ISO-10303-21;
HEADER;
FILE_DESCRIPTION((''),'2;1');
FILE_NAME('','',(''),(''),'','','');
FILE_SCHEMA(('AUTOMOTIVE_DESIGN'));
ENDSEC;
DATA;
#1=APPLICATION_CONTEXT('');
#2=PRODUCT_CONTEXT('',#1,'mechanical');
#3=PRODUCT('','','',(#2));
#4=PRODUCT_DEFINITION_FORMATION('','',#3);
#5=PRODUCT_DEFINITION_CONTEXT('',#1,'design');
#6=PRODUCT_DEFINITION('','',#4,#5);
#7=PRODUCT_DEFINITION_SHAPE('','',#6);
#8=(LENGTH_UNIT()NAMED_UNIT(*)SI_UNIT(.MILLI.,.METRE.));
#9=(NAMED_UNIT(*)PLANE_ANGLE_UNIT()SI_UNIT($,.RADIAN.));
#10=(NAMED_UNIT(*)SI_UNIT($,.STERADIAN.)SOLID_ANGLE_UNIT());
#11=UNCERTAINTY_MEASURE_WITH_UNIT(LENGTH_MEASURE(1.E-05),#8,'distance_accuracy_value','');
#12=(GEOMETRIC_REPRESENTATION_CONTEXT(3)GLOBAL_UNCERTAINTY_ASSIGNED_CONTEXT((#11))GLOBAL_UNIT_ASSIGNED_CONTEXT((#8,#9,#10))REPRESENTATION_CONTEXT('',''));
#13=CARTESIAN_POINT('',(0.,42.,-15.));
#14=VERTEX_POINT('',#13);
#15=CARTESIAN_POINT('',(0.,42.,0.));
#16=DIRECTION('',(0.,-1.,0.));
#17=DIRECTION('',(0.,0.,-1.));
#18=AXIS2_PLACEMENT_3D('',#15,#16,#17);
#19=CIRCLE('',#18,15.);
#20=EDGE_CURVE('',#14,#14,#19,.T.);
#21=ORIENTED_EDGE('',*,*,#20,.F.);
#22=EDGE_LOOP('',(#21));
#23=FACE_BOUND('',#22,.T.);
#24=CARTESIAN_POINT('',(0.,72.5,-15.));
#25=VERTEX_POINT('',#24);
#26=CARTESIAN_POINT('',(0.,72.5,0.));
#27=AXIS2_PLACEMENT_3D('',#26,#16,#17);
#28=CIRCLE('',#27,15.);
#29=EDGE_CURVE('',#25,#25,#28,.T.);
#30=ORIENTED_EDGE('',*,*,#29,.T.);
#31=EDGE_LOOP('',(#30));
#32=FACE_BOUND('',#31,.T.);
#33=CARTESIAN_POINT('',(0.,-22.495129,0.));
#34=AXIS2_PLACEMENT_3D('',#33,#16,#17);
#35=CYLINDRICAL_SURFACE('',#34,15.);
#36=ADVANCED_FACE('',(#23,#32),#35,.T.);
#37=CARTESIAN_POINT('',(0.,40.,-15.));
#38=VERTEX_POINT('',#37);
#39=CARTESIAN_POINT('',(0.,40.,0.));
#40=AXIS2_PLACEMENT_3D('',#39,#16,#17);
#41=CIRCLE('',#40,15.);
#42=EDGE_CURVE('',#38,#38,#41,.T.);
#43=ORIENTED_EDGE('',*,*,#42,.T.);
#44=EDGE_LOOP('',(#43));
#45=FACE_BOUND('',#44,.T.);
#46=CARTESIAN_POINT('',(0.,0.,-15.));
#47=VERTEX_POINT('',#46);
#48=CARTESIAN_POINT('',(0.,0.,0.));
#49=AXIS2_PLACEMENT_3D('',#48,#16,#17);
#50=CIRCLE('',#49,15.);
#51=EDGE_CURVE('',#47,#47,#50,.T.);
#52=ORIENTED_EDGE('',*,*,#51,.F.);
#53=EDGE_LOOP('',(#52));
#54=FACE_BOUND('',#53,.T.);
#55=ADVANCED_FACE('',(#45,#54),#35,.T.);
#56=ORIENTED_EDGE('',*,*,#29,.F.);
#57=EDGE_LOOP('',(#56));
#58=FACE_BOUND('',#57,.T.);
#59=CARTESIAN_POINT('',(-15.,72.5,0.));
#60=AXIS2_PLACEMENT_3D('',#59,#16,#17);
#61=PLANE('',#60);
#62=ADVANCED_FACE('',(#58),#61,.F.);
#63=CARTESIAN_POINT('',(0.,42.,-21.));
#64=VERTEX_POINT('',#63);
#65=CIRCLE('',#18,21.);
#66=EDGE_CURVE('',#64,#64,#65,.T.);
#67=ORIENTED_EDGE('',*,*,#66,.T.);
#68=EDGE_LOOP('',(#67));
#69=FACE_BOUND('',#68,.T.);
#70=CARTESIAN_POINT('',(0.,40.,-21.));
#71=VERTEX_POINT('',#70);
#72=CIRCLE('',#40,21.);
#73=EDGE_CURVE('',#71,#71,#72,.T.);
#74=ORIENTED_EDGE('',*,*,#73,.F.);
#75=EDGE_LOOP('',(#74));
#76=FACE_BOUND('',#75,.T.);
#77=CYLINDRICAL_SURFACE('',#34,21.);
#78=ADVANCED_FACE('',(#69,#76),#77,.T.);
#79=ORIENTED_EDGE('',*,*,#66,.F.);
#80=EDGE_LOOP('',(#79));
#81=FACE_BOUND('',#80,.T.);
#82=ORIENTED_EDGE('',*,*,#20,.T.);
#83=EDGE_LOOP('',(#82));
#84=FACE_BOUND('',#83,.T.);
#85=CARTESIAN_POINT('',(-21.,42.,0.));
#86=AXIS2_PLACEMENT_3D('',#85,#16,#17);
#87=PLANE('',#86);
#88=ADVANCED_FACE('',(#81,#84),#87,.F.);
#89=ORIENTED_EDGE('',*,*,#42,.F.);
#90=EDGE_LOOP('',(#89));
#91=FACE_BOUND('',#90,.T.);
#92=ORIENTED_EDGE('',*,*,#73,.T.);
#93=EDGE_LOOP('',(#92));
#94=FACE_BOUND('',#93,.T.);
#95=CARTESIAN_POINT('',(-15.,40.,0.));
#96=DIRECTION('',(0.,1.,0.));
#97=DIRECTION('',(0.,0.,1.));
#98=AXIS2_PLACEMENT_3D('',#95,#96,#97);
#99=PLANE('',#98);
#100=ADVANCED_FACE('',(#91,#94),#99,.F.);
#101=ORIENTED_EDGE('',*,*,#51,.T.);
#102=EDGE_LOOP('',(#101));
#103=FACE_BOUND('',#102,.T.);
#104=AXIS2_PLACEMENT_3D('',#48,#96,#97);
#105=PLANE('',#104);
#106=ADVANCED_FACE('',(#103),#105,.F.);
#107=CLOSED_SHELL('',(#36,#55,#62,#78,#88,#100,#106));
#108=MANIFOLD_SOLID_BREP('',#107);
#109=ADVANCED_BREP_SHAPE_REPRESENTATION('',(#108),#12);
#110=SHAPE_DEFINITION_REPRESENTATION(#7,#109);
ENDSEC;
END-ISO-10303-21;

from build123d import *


with BuildPart() as part:
    # Esboço1 → Revolução1 (revolve)
    with BuildSketch(Plane.XY):
        Polygon((0, 0), (-15, 0), (-15, 40), (-21, 40), (-21, 42), (-15, 42), (-15, 72.5), (0, 72.5), align=None)
    revolve(axis=Axis((0, -22.49512947, 0), (0, 1, 0)))


solid = part.part
